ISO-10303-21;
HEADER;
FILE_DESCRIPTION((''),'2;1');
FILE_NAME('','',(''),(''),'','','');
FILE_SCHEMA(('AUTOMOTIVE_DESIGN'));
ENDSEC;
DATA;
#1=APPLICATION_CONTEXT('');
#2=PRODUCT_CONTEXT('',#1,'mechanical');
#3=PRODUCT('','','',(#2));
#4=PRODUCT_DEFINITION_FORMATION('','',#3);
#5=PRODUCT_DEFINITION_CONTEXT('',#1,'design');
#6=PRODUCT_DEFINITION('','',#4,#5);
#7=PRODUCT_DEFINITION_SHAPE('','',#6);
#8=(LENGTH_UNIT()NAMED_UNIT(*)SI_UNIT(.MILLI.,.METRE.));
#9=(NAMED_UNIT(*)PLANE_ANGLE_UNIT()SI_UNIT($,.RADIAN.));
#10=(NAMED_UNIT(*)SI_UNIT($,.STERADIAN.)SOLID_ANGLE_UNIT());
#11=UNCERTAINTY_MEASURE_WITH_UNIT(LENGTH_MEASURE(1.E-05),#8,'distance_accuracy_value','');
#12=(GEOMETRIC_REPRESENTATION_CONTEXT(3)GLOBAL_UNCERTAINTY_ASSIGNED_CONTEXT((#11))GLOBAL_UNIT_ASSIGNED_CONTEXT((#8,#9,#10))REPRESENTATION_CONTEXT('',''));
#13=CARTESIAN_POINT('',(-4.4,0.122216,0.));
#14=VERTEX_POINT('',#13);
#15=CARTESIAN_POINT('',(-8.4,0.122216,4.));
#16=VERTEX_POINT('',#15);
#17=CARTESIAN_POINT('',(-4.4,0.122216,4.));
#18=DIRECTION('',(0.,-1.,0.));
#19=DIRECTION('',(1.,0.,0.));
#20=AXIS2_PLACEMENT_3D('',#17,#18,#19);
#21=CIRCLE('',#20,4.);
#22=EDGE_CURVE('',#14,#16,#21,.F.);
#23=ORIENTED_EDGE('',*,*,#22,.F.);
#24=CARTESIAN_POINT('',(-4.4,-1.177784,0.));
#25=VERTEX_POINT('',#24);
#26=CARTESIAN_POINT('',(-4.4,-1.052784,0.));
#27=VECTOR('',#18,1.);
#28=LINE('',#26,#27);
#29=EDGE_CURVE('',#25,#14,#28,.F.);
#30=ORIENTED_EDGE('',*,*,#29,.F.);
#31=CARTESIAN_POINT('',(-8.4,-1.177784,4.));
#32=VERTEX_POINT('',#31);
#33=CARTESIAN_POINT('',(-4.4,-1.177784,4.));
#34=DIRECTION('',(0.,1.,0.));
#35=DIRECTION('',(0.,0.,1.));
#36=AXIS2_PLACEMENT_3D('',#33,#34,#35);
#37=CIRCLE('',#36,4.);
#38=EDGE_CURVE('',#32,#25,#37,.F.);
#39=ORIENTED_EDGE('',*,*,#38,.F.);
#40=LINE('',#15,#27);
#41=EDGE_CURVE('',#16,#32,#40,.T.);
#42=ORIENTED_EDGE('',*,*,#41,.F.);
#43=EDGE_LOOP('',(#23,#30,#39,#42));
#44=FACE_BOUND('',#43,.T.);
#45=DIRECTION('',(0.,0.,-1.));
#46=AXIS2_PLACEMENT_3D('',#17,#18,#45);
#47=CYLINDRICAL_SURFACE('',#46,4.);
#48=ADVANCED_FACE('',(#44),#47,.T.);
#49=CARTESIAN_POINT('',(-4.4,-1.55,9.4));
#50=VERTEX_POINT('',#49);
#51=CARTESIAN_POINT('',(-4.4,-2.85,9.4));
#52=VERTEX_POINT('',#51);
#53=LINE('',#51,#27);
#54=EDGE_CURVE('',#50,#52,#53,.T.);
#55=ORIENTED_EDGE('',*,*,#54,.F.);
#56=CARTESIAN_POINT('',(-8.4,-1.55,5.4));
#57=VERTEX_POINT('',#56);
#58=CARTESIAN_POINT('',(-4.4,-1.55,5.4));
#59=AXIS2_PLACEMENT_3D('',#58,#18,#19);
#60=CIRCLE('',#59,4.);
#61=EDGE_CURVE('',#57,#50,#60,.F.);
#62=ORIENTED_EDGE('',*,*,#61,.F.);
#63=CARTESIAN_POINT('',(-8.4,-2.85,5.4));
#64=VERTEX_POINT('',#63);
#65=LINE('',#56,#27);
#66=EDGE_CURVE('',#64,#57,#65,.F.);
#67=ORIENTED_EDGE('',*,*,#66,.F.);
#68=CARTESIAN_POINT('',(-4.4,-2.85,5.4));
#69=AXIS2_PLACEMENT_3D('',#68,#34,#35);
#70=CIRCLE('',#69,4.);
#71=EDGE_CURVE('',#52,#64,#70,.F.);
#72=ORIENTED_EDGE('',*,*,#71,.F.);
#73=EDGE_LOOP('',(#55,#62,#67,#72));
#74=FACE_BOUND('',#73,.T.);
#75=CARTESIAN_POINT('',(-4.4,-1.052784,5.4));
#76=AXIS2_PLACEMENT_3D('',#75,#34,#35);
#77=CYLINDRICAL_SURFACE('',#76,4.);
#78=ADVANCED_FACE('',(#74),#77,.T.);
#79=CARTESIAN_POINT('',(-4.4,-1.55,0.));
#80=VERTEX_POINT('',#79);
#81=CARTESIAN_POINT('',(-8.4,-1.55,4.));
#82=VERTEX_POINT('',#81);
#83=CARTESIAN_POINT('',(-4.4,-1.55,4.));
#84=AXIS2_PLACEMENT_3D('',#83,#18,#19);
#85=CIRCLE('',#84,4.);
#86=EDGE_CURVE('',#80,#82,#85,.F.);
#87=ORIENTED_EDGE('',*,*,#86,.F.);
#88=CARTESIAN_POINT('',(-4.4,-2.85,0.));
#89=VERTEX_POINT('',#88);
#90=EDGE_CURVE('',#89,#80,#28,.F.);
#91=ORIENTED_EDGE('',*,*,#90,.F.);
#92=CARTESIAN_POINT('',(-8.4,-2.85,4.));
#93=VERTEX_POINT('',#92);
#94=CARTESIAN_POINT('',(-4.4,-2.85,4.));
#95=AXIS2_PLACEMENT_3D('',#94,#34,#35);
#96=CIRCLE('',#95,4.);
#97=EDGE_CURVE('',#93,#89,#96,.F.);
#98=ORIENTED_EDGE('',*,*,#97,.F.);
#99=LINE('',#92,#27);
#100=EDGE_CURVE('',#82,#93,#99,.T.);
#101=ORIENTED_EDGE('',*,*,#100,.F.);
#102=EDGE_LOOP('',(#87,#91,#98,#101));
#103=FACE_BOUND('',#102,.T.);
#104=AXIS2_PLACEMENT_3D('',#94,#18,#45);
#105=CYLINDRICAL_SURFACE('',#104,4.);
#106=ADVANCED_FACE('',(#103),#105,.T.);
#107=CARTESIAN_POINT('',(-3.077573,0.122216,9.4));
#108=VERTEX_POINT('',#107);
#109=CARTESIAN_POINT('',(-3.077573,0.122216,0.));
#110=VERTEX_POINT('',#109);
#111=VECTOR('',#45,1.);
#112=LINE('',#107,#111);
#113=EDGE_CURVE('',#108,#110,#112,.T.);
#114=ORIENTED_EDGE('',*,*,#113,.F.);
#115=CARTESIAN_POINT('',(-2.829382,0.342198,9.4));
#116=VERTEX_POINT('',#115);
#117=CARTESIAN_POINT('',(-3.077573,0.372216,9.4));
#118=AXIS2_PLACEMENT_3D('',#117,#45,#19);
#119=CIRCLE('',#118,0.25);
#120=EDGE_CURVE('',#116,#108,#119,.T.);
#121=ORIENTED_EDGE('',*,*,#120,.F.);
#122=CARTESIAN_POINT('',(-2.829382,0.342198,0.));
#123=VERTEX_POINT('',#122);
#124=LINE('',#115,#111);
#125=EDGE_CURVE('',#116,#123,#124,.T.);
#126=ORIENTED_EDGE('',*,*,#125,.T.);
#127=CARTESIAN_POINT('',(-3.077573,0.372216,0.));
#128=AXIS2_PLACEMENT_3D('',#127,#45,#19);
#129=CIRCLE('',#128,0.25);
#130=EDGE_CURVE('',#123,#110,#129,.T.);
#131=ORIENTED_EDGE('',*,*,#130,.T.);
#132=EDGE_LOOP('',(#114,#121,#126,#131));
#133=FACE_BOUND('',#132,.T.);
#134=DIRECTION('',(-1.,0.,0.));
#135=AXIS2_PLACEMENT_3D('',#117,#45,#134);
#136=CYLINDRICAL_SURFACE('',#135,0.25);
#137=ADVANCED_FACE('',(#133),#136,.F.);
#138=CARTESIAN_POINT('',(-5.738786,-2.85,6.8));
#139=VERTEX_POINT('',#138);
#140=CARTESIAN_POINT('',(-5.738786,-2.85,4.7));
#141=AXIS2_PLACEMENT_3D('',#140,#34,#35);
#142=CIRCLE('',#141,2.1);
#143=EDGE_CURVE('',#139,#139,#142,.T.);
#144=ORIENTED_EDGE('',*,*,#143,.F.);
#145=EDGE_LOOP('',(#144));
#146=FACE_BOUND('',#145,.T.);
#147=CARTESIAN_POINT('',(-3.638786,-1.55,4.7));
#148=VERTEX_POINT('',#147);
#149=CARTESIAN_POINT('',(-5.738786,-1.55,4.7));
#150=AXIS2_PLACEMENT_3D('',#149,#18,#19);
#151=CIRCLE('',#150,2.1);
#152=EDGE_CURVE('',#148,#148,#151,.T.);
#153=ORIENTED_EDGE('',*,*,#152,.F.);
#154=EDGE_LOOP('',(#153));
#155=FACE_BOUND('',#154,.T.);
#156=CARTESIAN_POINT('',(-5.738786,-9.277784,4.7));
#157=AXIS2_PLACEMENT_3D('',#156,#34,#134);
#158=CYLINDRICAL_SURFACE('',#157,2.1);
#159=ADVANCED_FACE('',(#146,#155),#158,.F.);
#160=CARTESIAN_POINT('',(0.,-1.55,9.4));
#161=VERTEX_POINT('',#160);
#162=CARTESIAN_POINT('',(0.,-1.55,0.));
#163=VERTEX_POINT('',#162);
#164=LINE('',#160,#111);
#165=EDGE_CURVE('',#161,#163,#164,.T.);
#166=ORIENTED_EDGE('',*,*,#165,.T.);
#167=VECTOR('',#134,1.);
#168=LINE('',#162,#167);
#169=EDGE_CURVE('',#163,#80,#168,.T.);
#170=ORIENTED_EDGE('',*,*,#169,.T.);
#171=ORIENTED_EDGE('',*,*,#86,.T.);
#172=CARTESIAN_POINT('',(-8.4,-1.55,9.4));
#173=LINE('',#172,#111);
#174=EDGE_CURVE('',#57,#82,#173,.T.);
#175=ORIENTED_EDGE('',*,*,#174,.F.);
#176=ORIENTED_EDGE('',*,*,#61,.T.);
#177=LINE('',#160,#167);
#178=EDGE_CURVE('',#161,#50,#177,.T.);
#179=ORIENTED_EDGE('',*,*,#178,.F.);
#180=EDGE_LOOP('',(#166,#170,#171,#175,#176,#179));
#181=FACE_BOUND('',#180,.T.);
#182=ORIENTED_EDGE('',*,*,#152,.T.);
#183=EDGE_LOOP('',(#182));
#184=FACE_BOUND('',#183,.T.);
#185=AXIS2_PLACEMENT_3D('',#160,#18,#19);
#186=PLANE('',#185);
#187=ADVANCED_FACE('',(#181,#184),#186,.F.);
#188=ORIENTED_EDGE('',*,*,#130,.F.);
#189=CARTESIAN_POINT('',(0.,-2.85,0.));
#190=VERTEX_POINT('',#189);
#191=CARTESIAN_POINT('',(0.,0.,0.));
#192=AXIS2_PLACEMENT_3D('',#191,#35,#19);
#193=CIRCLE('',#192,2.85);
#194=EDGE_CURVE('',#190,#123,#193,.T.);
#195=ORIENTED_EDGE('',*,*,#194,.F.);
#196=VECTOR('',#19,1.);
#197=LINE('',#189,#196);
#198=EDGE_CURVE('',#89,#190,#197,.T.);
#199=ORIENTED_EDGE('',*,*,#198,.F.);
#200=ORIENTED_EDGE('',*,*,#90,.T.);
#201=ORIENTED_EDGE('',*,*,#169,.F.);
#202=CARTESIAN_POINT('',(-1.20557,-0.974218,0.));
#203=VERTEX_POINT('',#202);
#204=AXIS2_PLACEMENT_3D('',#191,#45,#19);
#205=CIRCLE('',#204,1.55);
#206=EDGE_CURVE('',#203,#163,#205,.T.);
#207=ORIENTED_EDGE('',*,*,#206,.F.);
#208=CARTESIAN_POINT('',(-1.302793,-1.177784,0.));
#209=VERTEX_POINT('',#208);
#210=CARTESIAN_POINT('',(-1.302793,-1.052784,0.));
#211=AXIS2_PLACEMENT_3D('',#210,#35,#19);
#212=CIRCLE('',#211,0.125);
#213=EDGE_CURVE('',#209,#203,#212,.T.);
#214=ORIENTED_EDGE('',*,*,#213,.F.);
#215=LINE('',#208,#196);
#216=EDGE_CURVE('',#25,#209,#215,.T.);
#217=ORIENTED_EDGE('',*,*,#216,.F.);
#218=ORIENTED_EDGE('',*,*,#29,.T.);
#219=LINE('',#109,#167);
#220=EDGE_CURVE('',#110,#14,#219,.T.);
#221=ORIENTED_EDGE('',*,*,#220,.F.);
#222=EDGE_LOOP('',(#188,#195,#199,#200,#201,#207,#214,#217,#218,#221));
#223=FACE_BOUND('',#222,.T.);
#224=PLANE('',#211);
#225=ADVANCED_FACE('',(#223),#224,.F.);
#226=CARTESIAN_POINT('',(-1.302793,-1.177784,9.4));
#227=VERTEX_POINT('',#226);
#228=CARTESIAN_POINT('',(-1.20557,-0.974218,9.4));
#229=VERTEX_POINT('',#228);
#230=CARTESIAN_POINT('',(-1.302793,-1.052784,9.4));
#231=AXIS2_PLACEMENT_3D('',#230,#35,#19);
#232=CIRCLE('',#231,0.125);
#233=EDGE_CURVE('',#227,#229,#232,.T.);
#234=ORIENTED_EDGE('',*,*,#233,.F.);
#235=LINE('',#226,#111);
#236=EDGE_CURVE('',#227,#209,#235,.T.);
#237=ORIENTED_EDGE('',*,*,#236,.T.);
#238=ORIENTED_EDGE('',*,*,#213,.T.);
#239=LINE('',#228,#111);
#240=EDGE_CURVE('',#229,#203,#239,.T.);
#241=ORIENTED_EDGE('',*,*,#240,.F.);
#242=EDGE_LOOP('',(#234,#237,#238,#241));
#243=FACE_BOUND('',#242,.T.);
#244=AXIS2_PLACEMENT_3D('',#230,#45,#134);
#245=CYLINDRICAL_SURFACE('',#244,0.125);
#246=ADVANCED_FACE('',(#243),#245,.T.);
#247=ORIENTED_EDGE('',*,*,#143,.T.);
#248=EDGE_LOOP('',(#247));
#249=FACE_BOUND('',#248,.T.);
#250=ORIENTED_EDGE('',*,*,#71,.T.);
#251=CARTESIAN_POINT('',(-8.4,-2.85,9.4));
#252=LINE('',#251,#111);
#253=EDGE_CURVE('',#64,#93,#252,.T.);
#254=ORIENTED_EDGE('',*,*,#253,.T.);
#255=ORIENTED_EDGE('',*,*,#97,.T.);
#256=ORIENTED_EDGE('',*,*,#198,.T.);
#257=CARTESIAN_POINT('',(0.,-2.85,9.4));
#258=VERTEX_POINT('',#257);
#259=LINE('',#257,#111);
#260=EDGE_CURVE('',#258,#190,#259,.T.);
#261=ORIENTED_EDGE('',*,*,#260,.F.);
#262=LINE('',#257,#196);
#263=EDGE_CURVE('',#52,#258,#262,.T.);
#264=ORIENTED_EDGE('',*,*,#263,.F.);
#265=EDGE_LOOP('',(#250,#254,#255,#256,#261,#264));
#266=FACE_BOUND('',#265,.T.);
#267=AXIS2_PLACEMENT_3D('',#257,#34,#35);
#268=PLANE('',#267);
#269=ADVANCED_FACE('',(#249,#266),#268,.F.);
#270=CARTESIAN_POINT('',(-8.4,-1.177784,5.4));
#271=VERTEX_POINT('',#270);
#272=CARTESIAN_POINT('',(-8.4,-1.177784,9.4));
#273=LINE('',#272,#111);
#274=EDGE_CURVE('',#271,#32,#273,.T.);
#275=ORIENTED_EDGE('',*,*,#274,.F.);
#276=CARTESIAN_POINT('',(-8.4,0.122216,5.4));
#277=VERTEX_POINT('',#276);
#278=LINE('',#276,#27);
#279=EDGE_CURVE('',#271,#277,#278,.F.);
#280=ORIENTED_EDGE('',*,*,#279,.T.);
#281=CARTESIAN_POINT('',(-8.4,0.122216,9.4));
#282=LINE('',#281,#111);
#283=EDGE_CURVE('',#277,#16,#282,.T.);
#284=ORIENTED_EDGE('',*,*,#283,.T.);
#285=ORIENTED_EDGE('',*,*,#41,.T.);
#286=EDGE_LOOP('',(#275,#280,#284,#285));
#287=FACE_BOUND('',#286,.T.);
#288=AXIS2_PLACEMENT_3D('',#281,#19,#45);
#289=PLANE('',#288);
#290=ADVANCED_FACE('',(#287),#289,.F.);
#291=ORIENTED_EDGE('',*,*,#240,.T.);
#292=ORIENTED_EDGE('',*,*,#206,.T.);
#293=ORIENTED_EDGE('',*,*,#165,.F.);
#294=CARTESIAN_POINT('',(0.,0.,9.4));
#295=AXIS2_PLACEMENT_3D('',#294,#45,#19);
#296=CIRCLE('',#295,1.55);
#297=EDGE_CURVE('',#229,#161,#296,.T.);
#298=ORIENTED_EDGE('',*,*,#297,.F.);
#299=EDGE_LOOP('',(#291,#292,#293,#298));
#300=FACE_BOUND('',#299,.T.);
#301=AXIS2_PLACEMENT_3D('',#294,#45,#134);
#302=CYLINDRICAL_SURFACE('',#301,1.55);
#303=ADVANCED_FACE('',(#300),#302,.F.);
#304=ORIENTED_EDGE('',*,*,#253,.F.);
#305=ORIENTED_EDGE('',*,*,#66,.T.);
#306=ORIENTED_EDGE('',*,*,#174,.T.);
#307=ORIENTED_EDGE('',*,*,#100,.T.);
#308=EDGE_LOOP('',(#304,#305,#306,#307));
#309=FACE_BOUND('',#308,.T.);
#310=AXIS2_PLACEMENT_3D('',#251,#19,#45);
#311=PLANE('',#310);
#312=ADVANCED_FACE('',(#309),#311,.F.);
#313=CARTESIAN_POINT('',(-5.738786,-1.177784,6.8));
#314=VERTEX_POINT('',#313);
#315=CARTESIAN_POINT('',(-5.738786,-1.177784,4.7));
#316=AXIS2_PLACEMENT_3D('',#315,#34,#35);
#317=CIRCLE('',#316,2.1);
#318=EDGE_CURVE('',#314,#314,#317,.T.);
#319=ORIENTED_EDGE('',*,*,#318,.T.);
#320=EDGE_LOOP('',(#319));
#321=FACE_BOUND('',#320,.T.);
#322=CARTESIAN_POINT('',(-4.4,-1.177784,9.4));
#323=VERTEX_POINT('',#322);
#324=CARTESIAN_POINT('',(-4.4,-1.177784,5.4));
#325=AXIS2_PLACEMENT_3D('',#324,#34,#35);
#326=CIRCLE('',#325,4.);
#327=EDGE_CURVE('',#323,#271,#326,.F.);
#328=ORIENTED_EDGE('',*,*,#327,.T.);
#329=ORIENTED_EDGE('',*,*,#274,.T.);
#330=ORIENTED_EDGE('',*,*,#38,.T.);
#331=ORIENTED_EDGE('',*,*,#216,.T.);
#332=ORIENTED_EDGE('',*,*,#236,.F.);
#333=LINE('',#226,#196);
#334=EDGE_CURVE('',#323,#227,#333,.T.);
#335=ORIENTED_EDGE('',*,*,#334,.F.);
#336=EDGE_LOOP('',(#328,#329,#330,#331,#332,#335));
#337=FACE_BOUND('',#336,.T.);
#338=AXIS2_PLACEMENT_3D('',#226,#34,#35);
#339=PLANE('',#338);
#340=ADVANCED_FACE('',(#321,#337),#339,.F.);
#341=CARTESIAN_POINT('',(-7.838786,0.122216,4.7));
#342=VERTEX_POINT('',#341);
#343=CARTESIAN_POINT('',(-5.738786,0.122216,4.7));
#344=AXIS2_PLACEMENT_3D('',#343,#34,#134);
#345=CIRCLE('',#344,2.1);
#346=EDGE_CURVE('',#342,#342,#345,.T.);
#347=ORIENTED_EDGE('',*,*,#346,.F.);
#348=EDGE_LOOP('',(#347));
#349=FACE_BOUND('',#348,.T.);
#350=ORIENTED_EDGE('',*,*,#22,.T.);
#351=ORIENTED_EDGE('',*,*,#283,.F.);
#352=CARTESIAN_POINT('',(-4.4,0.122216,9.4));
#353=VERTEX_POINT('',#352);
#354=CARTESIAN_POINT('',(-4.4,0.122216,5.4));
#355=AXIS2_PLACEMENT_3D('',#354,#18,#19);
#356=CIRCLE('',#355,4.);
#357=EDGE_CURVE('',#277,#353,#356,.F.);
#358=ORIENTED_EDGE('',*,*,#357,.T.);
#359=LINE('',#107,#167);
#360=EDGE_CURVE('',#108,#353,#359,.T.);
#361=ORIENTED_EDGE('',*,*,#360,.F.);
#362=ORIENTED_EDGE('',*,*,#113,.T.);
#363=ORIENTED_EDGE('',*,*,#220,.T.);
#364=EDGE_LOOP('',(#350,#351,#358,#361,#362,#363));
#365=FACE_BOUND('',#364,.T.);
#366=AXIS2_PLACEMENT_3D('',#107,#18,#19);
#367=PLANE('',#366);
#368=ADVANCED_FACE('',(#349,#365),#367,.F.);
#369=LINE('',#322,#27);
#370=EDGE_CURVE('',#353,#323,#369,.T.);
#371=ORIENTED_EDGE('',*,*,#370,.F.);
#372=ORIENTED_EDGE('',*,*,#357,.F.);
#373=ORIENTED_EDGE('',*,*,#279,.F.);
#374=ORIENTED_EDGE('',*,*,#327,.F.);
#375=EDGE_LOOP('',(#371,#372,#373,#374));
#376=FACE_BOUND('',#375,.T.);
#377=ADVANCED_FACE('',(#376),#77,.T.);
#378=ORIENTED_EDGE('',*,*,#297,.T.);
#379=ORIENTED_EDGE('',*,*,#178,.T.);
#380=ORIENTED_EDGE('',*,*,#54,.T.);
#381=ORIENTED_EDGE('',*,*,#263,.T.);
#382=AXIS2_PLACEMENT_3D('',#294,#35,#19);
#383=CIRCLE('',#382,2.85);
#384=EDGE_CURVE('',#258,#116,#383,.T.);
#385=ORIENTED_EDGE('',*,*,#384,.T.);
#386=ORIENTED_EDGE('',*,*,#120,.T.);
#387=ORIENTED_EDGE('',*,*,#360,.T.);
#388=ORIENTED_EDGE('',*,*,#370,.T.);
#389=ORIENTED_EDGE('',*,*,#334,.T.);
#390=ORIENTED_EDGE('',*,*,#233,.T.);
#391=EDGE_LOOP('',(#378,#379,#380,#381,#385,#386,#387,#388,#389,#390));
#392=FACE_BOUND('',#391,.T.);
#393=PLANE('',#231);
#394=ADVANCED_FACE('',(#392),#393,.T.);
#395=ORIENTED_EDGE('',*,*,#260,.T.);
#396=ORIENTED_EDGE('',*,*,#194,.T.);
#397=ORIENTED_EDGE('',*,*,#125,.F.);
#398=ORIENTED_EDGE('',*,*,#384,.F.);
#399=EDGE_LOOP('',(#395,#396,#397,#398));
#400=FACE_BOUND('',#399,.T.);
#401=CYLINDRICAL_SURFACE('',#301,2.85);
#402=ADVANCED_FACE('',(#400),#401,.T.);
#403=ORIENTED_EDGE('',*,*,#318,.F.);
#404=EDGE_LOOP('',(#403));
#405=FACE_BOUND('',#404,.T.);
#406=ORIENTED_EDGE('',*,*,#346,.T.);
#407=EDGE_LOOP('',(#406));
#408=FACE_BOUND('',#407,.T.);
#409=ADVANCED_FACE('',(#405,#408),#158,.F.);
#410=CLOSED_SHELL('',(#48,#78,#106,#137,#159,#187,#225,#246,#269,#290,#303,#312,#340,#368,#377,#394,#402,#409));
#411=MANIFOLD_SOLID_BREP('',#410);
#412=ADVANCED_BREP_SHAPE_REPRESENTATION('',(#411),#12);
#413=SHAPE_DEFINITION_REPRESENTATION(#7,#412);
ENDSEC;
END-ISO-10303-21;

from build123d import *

# Parameters (mm, degrees)
BOSS_EXTRUDE1_DEPTH = 9.4
SKETCH2_R           = 2.1
CUT_EXTRUDE1_DEPTH  = 9.4
FILLET1_R           = 4


with BuildPart() as part:
    # Sketch1 → Boss-Extrude1 (new body)
    with BuildSketch(Plane.XY):
        with BuildLine():
            Line((0, -1.55), (-8.4, -1.55))
            Line((-8.4, -1.55), (-8.4, -2.85))
            Line((-8.4, -2.85), (0, -2.85))
            ThreePointArc((0, -2.85), (2.132811003, 1.89040134), (-2.829381598, 0.342198439))
            ThreePointArc((-2.829381598, 0.342198439), (-2.911748288, 0.185127161), (-3.077572967, 0.122215846))
            Line((-3.077572967, 0.122215846), (-8.4, 0.122215846))
            Line((-8.4, 0.122215846), (-8.4, -1.177784154))
            Line((-8.4, -1.177784154), (-1.302793355, -1.177784154))
            ThreePointArc((-1.302793355, -1.177784154), (-1.189997637, -1.106655539), (-1.20556997, -0.974218173))
            ThreePointArc((-1.20556997, -0.974218173), (0.668005177, 1.398666895), (0, -1.55))
        make_face()
    extrude(amount=BOSS_EXTRUDE1_DEPTH)

    # Sketch2 → Cut-Extrude1 (cut)
    with BuildSketch(Plane(origin=(0, 0.122215846, 0), x_dir=(1, 0, 0), z_dir=(0, 1, 0))):
        with Locations((-5.738786483, -4.7)):
            Circle(SKETCH2_R)
    extrude(amount=-CUT_EXTRUDE1_DEPTH, mode=Mode.SUBTRACT)

    # Fillet1
    fillet1_edges = [part.edges().sort_by_distance(p)[0] for p in [
        (-8.4, -0.527784154, 0),
        (-8.4, -2.2, 0),
        (-8.4, -2.2, 9.4),
        (-8.4, -0.527784154, 9.4),
    ]]
    fillet(fillet1_edges, radius=FILLET1_R)


solid = part.part
